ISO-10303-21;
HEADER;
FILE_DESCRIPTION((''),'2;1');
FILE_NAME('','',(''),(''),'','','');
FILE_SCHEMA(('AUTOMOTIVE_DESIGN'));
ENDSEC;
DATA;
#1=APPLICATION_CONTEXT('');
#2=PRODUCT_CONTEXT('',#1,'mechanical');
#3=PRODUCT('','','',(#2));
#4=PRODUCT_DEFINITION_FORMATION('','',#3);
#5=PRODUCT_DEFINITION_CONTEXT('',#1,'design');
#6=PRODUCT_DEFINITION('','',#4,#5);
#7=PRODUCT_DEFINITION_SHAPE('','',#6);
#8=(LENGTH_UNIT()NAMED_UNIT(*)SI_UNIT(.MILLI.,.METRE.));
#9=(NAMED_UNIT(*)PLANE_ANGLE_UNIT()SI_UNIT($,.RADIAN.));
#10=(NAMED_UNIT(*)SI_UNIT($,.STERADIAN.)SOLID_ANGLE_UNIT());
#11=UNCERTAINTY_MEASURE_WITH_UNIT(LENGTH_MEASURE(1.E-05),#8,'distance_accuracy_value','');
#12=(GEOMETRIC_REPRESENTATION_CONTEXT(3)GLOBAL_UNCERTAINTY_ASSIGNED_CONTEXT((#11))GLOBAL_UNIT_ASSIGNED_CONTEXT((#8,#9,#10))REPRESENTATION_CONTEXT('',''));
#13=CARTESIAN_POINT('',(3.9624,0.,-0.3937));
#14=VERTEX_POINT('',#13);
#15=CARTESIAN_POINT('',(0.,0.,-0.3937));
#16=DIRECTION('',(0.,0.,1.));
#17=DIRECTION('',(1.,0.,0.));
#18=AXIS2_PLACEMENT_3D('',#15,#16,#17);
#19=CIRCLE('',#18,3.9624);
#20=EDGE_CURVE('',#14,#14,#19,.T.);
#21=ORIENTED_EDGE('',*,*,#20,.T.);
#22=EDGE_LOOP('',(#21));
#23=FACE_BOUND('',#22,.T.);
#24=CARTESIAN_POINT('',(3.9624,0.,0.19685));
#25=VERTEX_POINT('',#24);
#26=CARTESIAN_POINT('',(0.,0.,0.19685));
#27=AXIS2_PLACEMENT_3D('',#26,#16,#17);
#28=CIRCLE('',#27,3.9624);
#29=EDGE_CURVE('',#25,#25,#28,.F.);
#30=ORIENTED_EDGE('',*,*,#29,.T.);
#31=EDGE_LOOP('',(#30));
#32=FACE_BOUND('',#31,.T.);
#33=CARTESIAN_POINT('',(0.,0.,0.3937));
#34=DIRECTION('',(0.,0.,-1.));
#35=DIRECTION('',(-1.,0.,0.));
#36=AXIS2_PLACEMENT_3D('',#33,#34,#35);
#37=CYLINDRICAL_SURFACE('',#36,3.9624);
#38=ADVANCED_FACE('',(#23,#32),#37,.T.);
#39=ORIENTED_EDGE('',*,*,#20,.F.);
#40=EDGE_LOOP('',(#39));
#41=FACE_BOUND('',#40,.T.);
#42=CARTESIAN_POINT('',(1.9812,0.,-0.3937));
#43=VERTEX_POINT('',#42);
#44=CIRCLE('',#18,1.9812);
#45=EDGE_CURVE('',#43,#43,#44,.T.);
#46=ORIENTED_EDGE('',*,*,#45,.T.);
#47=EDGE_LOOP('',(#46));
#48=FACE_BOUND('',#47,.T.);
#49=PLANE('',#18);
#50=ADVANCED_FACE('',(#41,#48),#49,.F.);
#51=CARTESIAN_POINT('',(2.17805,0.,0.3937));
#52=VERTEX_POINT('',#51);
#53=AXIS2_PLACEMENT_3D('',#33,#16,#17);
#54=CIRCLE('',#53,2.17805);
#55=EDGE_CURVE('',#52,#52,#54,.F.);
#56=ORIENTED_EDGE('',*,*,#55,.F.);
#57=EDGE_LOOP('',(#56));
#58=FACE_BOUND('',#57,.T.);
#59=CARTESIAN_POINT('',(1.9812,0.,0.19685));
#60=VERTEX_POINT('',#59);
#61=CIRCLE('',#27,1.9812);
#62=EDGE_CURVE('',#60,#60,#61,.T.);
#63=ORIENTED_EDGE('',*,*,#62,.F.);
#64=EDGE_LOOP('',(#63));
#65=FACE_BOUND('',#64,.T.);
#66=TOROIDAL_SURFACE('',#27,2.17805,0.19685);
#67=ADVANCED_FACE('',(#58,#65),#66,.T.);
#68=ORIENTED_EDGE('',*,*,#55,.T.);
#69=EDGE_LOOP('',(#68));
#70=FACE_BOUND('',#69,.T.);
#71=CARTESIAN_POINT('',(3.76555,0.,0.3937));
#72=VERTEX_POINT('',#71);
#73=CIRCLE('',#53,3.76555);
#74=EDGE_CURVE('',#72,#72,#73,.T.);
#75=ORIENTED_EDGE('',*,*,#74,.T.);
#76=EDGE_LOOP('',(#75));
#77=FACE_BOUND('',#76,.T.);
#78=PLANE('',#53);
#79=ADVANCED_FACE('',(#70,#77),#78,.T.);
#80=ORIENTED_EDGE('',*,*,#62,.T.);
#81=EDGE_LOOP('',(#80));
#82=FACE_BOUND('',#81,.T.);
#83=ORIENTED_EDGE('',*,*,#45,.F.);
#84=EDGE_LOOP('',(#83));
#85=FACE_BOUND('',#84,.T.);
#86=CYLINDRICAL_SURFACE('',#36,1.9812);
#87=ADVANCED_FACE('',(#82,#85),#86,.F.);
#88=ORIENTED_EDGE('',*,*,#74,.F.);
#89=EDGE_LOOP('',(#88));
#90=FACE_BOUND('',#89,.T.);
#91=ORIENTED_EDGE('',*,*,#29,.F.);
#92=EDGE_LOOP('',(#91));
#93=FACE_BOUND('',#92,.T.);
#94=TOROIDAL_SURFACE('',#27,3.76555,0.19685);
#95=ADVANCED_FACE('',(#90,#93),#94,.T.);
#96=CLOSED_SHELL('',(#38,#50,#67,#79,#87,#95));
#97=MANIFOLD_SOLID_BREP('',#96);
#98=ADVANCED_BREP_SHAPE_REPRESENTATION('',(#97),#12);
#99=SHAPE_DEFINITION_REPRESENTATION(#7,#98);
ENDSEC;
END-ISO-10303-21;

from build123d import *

# Parameters (mm, degrees)
BOSS_EXTRUDE1_DEPTH      = 0.3937
BOSS_EXTRUDE1_DEPTH_BACK = 0.3937
SKETCH3_R                = 3.9624
SKETCH3_R_2              = 1.9812
FILLET1_R                = 0.19685


with BuildPart() as part:
    # Sketch3 → Boss-Extrude1 (new, two sides: drawn at the far end of the back side and taken through both)
    with BuildSketch(Plane.XY.offset(-BOSS_EXTRUDE1_DEPTH_BACK)):
        Circle(SKETCH3_R)
        Circle(SKETCH3_R_2, mode=Mode.SUBTRACT)
    extrude(amount=BOSS_EXTRUDE1_DEPTH + BOSS_EXTRUDE1_DEPTH_BACK)

    # Fillet1
    fillet1_edges = [part.edges().sort_by_distance(p)[0] for p in [
        (-3.9624, 0, 0.3937),
        (-1.9812, 0, 0.3937),
    ]]
    fillet(fillet1_edges, radius=FILLET1_R)


solid = part.part
